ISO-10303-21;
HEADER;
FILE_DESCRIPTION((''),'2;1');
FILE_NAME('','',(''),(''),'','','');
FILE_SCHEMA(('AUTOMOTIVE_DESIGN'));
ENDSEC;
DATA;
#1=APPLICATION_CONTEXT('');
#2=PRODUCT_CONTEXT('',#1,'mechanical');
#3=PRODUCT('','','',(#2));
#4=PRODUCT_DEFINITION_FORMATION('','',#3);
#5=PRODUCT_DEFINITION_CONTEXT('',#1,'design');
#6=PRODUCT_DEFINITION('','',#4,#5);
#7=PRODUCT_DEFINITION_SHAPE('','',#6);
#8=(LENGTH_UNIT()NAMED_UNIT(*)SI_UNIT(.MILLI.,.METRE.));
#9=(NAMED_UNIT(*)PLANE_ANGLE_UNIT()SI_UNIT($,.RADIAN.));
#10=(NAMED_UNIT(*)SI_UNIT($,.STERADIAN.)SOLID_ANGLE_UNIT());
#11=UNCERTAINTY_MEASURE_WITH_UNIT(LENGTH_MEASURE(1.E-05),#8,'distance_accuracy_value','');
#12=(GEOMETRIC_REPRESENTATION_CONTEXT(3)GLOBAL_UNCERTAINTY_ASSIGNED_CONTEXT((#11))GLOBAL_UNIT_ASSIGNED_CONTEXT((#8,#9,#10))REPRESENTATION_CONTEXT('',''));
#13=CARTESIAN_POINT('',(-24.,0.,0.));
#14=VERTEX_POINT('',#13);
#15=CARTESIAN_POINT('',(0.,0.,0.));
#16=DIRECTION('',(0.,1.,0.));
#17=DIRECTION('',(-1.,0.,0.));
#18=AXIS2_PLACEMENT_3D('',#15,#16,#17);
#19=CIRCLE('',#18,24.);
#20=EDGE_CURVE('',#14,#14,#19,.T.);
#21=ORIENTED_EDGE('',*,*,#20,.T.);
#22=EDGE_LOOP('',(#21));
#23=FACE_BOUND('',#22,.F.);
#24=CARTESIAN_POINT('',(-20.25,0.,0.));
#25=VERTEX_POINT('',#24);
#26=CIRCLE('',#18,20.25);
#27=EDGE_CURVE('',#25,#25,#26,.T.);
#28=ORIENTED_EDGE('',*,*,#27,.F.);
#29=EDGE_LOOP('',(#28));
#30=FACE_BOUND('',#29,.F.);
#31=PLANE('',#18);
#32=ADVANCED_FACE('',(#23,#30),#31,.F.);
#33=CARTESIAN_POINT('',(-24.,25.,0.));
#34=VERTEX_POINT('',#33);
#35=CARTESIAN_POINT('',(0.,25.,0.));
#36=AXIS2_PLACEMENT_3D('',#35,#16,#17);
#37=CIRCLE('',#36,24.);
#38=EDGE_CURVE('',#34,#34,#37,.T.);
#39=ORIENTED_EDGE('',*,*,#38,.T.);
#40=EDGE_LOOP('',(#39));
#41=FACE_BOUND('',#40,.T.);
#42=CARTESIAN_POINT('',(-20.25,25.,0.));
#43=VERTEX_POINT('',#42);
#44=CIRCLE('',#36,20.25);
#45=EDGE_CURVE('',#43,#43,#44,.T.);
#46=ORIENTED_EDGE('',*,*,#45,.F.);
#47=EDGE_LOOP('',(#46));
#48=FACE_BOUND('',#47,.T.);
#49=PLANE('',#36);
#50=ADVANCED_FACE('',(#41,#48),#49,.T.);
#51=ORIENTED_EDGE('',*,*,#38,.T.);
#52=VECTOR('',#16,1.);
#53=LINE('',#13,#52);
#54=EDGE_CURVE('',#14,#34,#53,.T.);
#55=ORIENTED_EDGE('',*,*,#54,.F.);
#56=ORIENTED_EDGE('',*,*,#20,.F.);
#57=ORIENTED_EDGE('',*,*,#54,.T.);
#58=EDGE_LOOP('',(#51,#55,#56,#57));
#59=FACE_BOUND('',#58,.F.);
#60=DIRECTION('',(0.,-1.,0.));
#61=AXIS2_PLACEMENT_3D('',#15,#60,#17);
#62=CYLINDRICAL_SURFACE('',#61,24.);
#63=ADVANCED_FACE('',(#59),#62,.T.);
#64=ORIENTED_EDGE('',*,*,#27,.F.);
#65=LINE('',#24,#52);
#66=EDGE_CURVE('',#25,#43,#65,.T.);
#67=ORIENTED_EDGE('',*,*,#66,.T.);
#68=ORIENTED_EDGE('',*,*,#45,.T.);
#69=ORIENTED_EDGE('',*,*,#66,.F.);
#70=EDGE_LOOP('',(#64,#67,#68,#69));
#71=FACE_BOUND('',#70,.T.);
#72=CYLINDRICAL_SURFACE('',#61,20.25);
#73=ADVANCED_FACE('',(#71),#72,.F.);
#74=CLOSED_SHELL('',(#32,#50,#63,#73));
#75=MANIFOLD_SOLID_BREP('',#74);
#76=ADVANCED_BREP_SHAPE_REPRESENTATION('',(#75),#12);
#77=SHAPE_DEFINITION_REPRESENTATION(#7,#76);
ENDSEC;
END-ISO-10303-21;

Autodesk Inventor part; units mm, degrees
ref_plane "YZ Plane" through (0, 0, 0) normal (1, 0, 0) x (0, 1, 0)
ref_plane "XZ Plane" through (0, 0, 0) normal (0, 1, 0) x (-1, 0, 0)
ref_plane "XY Plane" through (0, 0, 0) normal (0, 0, 1) x (1, 0, 0)
sketch "Sketch1" plane through (0, 0, 0) normal (0, 1, 0) x (-1, 0, 0)
  circle A0 centre (0, 0) radius 20.25
  circle A1 centre (0, 0) radius 24
  dimension "d0" = 40.5
  dimension "d1" = 48
extrude "Extrusion1" add sketch "Sketch1" along normal blind 25
properties part number "Axis 4 Bearing 25mm Spacer"
